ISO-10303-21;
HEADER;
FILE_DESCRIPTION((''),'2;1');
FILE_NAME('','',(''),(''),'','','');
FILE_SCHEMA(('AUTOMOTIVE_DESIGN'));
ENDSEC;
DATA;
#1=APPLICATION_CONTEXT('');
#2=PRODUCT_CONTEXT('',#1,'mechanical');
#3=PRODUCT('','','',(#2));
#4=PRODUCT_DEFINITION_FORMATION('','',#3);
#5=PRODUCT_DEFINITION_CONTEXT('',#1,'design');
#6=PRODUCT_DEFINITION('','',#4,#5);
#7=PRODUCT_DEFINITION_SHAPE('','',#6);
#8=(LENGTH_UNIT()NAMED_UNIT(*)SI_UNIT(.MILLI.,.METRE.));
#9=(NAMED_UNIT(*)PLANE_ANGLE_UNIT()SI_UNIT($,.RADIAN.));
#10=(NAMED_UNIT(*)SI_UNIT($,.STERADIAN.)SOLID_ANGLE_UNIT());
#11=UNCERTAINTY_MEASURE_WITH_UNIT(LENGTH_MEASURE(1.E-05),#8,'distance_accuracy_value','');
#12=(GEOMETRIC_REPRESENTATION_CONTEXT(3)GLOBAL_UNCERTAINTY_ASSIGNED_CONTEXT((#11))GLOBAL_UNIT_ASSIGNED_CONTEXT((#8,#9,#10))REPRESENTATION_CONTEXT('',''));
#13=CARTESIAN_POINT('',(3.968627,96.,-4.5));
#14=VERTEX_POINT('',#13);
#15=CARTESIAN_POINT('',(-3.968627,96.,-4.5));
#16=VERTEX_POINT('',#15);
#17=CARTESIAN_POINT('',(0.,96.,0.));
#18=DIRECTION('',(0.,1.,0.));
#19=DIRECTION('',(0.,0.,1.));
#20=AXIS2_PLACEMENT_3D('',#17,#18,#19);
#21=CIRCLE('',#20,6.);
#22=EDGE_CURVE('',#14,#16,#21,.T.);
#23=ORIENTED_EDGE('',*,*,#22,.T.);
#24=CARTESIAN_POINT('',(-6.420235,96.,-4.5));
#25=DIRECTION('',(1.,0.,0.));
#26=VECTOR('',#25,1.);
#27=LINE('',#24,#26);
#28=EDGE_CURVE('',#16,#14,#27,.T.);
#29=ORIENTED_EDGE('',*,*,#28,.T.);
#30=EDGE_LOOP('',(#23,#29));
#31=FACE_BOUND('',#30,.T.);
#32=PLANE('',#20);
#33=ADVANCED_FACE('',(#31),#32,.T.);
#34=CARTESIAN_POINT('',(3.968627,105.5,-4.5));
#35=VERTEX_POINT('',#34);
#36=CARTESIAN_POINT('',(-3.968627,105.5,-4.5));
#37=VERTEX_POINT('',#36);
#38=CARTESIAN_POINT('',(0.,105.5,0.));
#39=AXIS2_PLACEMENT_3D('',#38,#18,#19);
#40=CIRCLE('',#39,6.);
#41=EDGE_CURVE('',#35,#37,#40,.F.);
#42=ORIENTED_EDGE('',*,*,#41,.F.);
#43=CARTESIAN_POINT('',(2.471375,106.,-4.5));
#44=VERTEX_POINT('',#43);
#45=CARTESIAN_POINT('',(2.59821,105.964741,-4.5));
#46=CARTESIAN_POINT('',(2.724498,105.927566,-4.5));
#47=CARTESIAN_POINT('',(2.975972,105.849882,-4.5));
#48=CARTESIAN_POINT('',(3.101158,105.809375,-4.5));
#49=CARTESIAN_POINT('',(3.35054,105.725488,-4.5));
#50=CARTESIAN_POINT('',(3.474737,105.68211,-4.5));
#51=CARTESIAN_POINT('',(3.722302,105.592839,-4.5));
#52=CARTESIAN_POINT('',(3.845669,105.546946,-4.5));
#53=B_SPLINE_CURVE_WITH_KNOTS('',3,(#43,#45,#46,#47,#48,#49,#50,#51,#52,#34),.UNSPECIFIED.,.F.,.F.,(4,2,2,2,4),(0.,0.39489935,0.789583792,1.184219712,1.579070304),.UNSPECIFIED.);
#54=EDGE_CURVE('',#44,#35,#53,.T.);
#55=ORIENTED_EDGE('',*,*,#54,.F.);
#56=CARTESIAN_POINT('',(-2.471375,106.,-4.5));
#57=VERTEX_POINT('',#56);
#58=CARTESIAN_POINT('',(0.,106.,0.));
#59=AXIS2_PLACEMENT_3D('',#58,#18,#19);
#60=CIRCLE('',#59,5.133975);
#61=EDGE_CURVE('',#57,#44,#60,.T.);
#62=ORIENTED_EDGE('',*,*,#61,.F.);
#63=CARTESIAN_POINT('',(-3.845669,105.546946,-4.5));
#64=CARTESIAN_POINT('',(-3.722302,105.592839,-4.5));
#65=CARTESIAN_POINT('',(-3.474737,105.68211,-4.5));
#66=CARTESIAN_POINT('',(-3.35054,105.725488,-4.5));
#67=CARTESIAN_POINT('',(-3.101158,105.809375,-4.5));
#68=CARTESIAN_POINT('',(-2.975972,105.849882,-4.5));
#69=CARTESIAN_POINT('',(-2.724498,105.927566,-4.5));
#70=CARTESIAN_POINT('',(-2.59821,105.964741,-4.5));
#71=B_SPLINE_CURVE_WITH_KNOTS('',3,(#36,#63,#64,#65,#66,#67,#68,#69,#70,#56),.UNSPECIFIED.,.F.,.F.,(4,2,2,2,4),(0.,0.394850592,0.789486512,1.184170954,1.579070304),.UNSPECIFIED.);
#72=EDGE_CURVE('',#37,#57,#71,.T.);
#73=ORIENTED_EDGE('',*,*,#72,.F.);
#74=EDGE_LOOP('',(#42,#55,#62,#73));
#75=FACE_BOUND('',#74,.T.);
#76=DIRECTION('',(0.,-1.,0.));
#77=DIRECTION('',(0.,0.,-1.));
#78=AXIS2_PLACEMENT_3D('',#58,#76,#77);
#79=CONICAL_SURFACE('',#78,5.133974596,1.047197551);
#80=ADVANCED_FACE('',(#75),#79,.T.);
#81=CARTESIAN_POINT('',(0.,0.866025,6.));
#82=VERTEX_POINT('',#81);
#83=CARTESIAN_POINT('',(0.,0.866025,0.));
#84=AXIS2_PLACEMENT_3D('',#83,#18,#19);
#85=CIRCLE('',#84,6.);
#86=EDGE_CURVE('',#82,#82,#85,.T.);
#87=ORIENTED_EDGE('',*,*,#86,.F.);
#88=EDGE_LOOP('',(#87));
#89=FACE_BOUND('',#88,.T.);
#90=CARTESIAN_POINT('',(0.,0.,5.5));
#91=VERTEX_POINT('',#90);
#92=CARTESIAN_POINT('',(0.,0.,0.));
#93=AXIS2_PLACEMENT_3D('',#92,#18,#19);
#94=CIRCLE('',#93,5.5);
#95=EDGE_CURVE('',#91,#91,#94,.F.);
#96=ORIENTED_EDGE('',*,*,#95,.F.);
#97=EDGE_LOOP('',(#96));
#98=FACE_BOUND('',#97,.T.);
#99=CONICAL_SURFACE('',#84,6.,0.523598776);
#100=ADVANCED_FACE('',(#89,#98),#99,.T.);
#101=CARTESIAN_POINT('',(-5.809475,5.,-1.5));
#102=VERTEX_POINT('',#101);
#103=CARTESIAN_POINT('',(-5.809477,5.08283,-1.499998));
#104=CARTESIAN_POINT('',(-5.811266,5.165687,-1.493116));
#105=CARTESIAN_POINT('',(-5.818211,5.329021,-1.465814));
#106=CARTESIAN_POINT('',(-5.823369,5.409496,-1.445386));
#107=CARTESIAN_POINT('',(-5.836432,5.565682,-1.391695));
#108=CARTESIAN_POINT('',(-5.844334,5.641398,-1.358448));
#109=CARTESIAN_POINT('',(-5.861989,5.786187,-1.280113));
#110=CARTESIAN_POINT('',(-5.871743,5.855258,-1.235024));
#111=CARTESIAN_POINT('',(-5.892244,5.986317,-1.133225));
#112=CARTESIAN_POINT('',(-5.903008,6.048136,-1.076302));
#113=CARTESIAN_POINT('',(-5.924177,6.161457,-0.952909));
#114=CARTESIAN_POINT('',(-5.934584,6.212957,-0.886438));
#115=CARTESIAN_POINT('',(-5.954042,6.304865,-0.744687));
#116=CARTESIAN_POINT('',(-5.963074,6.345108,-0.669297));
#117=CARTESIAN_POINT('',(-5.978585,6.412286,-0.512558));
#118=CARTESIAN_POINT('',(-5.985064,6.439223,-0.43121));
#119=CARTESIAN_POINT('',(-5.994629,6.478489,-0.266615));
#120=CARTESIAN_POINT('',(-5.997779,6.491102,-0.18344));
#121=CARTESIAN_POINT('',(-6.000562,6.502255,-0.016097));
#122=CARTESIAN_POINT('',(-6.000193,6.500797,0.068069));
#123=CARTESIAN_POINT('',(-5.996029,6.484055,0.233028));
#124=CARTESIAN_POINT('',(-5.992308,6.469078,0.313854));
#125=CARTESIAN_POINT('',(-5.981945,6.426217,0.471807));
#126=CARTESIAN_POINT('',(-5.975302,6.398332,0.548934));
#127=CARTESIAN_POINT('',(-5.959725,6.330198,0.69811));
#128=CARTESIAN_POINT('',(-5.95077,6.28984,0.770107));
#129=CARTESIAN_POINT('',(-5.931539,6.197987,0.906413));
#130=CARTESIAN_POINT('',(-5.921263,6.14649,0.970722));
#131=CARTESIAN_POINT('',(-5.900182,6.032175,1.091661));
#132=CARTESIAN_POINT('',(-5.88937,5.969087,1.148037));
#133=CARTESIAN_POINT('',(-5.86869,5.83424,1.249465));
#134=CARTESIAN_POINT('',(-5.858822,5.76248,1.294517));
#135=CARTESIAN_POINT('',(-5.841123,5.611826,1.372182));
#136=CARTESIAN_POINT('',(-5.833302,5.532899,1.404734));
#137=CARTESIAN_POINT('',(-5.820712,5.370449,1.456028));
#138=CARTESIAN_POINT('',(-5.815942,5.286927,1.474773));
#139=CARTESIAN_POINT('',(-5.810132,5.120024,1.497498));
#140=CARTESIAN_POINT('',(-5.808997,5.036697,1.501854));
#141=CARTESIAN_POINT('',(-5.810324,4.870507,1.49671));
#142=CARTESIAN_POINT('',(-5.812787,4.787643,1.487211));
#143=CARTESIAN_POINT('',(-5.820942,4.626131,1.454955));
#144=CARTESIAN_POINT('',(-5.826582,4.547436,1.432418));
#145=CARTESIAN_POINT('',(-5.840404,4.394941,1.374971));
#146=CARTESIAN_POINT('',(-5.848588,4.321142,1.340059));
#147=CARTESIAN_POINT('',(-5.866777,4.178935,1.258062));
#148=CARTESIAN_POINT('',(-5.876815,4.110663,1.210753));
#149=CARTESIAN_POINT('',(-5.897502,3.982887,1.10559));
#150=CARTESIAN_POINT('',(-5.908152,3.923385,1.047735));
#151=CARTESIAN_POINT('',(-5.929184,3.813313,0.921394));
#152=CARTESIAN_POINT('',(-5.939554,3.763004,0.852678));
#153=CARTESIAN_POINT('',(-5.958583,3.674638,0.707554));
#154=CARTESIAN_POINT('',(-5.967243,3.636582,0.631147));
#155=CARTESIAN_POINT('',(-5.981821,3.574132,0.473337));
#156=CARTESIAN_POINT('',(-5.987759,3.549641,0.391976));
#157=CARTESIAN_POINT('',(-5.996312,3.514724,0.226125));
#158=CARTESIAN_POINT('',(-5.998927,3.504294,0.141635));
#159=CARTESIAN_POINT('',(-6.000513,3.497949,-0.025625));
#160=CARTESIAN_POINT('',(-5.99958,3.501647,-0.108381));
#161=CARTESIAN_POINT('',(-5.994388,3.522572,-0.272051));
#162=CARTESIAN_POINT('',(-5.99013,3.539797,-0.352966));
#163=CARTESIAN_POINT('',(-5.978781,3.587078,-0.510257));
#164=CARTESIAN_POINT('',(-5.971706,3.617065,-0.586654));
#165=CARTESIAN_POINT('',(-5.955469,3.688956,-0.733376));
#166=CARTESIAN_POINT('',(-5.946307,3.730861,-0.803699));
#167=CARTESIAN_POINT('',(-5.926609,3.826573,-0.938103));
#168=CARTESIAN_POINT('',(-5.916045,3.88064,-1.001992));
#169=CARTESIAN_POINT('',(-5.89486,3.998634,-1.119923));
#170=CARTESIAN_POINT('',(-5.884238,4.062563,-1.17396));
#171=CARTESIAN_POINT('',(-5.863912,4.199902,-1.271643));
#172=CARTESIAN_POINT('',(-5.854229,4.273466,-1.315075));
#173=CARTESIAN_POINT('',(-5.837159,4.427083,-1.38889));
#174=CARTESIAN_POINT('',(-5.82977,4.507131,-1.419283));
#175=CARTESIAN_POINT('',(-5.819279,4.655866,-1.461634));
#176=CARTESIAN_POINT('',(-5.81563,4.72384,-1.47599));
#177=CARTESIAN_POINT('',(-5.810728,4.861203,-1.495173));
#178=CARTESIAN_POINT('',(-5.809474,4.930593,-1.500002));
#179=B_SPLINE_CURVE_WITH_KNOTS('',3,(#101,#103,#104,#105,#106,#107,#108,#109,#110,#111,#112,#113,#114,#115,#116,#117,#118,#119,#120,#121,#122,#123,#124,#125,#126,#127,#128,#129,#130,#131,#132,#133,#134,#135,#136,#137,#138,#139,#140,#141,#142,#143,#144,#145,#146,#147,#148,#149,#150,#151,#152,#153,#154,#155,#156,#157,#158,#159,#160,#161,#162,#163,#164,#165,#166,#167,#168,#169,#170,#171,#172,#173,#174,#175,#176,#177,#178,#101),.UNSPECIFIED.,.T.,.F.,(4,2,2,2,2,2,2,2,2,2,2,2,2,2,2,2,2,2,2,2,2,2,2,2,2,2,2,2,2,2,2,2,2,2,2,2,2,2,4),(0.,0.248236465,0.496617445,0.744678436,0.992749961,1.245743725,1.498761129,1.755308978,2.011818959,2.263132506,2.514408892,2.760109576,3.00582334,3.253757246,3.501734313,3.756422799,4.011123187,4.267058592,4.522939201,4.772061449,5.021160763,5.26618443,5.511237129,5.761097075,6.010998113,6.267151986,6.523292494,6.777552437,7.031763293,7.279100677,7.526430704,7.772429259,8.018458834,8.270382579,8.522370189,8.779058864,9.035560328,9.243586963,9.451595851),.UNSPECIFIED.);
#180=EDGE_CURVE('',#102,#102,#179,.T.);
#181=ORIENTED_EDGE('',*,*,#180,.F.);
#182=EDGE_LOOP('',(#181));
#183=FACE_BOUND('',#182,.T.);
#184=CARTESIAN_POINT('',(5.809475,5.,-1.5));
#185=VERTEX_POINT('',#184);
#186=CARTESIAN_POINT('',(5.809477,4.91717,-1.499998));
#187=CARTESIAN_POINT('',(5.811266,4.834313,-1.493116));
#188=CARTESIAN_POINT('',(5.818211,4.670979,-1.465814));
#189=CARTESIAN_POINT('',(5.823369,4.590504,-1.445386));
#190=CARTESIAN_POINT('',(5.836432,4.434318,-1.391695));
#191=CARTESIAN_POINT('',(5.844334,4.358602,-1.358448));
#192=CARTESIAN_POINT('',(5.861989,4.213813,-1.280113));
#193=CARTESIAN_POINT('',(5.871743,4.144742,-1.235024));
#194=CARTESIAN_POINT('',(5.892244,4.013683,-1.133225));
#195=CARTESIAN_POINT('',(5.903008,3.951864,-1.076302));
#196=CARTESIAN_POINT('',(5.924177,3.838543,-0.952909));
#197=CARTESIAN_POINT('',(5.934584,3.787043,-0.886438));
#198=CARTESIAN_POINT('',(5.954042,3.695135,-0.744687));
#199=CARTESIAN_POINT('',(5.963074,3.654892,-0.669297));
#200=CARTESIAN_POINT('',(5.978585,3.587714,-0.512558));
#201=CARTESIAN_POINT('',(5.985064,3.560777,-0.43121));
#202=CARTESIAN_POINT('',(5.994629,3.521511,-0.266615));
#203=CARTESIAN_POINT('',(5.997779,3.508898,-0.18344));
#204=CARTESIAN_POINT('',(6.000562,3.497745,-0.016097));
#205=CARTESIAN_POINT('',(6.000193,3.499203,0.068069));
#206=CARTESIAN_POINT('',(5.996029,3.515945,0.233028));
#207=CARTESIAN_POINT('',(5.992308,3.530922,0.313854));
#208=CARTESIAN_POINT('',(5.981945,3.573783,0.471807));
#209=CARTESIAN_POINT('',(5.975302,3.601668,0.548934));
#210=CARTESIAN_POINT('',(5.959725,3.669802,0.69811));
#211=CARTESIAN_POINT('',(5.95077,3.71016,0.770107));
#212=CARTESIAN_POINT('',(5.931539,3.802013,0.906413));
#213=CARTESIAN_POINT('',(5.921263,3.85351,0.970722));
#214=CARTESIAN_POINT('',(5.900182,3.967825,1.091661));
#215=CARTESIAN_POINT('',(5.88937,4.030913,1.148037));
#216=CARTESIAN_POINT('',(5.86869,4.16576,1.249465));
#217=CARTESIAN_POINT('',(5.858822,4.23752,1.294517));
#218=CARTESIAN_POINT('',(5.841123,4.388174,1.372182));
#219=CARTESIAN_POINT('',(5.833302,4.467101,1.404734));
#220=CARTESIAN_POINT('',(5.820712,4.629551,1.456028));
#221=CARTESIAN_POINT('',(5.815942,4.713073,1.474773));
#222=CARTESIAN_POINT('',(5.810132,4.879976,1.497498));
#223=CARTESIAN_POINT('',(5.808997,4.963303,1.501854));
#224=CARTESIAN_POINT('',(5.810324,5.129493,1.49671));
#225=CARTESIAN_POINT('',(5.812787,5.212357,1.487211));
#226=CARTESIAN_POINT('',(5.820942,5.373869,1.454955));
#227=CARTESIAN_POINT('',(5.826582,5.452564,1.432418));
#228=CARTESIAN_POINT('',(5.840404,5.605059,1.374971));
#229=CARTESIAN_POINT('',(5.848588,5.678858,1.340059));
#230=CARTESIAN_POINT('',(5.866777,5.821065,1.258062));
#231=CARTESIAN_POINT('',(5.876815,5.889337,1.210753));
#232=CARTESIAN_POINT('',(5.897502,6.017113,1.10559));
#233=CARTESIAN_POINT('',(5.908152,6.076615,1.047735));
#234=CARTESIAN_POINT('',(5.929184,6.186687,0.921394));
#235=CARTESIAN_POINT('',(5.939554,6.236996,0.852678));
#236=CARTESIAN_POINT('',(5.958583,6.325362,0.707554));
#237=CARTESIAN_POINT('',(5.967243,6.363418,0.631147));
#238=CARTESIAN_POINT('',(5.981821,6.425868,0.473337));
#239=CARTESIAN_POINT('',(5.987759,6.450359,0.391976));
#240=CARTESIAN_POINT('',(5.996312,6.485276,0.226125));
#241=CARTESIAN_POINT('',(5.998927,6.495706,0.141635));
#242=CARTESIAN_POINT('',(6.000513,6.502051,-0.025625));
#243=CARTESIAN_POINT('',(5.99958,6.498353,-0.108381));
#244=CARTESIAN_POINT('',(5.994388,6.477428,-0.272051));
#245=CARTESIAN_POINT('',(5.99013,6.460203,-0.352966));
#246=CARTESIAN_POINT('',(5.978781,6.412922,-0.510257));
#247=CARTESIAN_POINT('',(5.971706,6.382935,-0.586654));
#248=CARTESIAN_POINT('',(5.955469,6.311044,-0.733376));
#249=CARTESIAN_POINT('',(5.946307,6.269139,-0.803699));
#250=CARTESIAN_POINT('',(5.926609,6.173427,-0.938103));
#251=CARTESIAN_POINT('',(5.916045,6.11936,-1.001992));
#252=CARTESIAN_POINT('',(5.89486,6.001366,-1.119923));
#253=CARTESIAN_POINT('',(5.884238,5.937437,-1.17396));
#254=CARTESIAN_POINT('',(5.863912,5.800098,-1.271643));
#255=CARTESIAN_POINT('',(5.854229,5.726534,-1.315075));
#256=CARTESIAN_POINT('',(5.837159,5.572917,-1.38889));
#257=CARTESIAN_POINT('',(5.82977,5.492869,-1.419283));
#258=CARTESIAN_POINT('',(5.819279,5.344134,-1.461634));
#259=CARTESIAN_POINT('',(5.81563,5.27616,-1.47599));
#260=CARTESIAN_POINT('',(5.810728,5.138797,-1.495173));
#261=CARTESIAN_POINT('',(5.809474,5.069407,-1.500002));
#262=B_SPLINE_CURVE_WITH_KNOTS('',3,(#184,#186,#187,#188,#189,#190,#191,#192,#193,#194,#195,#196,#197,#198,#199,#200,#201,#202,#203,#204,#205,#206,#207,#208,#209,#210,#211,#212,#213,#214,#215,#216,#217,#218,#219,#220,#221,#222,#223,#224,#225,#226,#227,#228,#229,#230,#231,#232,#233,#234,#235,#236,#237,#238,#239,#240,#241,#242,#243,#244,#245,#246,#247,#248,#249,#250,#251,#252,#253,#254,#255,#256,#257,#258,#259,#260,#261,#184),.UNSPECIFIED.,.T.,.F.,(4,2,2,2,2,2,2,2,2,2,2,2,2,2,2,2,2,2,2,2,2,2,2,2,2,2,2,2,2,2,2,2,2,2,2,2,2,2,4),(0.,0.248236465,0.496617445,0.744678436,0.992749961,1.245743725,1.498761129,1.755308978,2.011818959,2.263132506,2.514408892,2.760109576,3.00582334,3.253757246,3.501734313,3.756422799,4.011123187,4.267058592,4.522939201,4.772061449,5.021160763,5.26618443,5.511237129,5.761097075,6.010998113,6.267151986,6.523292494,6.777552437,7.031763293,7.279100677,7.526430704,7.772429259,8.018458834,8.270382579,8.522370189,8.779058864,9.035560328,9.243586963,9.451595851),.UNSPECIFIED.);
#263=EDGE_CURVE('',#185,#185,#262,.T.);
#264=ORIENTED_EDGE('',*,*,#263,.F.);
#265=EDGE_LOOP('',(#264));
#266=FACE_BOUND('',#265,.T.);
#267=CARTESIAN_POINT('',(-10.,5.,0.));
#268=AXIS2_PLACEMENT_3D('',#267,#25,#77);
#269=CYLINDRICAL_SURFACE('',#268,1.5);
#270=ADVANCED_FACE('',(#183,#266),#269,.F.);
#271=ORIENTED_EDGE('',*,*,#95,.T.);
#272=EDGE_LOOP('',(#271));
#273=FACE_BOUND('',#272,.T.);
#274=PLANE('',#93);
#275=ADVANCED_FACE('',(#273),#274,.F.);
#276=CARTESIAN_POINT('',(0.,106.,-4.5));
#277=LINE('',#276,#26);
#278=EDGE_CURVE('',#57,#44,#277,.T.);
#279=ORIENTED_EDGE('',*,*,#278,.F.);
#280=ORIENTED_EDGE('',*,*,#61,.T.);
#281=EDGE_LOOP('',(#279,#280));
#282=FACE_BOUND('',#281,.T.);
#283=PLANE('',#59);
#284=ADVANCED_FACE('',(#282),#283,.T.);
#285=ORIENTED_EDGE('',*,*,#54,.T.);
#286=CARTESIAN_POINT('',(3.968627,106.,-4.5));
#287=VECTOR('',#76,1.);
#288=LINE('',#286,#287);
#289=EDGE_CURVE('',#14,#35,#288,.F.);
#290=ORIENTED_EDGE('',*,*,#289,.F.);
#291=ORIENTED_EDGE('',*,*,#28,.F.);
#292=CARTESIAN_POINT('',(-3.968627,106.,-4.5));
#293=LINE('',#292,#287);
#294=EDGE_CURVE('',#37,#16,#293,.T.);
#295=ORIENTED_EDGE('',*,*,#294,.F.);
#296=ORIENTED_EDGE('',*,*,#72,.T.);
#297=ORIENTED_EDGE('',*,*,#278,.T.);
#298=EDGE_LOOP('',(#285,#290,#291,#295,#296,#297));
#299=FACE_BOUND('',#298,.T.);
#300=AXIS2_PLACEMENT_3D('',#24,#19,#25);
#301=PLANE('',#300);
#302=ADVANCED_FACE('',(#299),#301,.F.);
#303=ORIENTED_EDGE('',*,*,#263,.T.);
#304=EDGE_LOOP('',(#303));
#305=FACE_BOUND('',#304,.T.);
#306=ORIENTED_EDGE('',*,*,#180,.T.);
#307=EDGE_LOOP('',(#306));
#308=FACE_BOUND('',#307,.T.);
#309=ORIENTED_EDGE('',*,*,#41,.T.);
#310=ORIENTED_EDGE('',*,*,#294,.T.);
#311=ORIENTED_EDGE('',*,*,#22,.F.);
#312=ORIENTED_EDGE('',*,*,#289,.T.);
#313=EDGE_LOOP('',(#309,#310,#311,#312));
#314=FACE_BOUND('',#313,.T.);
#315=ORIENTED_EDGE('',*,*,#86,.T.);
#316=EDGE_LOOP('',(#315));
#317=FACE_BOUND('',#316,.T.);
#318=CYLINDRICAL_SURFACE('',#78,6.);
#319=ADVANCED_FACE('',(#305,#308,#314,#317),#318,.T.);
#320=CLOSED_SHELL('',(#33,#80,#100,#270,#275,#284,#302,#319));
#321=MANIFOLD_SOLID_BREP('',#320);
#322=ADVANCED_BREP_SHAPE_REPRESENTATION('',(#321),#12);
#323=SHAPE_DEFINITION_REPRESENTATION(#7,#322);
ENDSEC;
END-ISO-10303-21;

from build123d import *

# Parameters (mm, degrees)
SKETCH1_R             = 6
BOSS_EXTRUDE1_DEPTH   = 106
SKETCH2_W             = 13.926547721
SKETCH2_H             = 4.090447759
CUT_EXTRUDE1_DEPTH    = 10
SKETCH3_R             = 1.5
CUT_EXTRUDE2_DEPTH    = 10
CHAMFER1_SIZE         = 0.5
CHAMFER1_SIZE2        = 0.866025404
CHAMFER1_PART_2_SIZE  = 0.5
CHAMFER1_PART_2_SIZE2 = 0.866025404


with BuildPart() as part:
    # Sketch1 → Boss-Extrude1 (new body)
    with BuildSketch(Plane(origin=(0, 0, 0), x_dir=(1, 0, 0), z_dir=(0, 1, 0))):
        Circle(SKETCH1_R)
    extrude(amount=BOSS_EXTRUDE1_DEPTH)

    # Sketch2 → Cut-Extrude1 (cut)
    with BuildSketch(Plane(origin=(0, 106, 0), x_dir=(1, 0, 0), z_dir=(0, 1, 0))):
        with Locations((0.543038745, 6.545223879)):
            Rectangle(SKETCH2_W, SKETCH2_H)
    extrude(amount=-CUT_EXTRUDE1_DEPTH, mode=Mode.SUBTRACT)

    # Sketch3 → Cut-Extrude2 (cut, symmetric)
    with BuildSketch(Plane(origin=(0, 0, 0), x_dir=(0, 0, -1), z_dir=(1, 0, 0))):
        with Locations((0, 5)):
            Circle(SKETCH3_R)
    extrude(amount=CUT_EXTRUDE2_DEPTH, both=True, mode=Mode.SUBTRACT)

    # Chamfer1
    chamfer1_edges = [part.edges().sort_by_distance(p)[0] for p in [
        (-6, 0, 0),
    ]]
    chamfer1_side = [part.faces().sort_by_distance(p)[0] for p in [
        (0, 0, 0),
    ]]
    chamfer(chamfer1_edges, length=CHAMFER1_SIZE, length2=CHAMFER1_SIZE2, reference=chamfer1_side[0])

    # Chamfer1 part 2
    chamfer1_part_2_edges = [part.edges().sort_by_distance(p)[0] for p in [
        (-2.468626967, 106, 5.468626967),
    ]]
    chamfer1_part_2_side = [part.faces().sort_by_distance(p)[0] for p in [
        (-6, 53, 0),
    ]]
    chamfer(chamfer1_part_2_edges, length=CHAMFER1_PART_2_SIZE, length2=CHAMFER1_PART_2_SIZE2, reference=chamfer1_part_2_side[0])


solid = part.part
